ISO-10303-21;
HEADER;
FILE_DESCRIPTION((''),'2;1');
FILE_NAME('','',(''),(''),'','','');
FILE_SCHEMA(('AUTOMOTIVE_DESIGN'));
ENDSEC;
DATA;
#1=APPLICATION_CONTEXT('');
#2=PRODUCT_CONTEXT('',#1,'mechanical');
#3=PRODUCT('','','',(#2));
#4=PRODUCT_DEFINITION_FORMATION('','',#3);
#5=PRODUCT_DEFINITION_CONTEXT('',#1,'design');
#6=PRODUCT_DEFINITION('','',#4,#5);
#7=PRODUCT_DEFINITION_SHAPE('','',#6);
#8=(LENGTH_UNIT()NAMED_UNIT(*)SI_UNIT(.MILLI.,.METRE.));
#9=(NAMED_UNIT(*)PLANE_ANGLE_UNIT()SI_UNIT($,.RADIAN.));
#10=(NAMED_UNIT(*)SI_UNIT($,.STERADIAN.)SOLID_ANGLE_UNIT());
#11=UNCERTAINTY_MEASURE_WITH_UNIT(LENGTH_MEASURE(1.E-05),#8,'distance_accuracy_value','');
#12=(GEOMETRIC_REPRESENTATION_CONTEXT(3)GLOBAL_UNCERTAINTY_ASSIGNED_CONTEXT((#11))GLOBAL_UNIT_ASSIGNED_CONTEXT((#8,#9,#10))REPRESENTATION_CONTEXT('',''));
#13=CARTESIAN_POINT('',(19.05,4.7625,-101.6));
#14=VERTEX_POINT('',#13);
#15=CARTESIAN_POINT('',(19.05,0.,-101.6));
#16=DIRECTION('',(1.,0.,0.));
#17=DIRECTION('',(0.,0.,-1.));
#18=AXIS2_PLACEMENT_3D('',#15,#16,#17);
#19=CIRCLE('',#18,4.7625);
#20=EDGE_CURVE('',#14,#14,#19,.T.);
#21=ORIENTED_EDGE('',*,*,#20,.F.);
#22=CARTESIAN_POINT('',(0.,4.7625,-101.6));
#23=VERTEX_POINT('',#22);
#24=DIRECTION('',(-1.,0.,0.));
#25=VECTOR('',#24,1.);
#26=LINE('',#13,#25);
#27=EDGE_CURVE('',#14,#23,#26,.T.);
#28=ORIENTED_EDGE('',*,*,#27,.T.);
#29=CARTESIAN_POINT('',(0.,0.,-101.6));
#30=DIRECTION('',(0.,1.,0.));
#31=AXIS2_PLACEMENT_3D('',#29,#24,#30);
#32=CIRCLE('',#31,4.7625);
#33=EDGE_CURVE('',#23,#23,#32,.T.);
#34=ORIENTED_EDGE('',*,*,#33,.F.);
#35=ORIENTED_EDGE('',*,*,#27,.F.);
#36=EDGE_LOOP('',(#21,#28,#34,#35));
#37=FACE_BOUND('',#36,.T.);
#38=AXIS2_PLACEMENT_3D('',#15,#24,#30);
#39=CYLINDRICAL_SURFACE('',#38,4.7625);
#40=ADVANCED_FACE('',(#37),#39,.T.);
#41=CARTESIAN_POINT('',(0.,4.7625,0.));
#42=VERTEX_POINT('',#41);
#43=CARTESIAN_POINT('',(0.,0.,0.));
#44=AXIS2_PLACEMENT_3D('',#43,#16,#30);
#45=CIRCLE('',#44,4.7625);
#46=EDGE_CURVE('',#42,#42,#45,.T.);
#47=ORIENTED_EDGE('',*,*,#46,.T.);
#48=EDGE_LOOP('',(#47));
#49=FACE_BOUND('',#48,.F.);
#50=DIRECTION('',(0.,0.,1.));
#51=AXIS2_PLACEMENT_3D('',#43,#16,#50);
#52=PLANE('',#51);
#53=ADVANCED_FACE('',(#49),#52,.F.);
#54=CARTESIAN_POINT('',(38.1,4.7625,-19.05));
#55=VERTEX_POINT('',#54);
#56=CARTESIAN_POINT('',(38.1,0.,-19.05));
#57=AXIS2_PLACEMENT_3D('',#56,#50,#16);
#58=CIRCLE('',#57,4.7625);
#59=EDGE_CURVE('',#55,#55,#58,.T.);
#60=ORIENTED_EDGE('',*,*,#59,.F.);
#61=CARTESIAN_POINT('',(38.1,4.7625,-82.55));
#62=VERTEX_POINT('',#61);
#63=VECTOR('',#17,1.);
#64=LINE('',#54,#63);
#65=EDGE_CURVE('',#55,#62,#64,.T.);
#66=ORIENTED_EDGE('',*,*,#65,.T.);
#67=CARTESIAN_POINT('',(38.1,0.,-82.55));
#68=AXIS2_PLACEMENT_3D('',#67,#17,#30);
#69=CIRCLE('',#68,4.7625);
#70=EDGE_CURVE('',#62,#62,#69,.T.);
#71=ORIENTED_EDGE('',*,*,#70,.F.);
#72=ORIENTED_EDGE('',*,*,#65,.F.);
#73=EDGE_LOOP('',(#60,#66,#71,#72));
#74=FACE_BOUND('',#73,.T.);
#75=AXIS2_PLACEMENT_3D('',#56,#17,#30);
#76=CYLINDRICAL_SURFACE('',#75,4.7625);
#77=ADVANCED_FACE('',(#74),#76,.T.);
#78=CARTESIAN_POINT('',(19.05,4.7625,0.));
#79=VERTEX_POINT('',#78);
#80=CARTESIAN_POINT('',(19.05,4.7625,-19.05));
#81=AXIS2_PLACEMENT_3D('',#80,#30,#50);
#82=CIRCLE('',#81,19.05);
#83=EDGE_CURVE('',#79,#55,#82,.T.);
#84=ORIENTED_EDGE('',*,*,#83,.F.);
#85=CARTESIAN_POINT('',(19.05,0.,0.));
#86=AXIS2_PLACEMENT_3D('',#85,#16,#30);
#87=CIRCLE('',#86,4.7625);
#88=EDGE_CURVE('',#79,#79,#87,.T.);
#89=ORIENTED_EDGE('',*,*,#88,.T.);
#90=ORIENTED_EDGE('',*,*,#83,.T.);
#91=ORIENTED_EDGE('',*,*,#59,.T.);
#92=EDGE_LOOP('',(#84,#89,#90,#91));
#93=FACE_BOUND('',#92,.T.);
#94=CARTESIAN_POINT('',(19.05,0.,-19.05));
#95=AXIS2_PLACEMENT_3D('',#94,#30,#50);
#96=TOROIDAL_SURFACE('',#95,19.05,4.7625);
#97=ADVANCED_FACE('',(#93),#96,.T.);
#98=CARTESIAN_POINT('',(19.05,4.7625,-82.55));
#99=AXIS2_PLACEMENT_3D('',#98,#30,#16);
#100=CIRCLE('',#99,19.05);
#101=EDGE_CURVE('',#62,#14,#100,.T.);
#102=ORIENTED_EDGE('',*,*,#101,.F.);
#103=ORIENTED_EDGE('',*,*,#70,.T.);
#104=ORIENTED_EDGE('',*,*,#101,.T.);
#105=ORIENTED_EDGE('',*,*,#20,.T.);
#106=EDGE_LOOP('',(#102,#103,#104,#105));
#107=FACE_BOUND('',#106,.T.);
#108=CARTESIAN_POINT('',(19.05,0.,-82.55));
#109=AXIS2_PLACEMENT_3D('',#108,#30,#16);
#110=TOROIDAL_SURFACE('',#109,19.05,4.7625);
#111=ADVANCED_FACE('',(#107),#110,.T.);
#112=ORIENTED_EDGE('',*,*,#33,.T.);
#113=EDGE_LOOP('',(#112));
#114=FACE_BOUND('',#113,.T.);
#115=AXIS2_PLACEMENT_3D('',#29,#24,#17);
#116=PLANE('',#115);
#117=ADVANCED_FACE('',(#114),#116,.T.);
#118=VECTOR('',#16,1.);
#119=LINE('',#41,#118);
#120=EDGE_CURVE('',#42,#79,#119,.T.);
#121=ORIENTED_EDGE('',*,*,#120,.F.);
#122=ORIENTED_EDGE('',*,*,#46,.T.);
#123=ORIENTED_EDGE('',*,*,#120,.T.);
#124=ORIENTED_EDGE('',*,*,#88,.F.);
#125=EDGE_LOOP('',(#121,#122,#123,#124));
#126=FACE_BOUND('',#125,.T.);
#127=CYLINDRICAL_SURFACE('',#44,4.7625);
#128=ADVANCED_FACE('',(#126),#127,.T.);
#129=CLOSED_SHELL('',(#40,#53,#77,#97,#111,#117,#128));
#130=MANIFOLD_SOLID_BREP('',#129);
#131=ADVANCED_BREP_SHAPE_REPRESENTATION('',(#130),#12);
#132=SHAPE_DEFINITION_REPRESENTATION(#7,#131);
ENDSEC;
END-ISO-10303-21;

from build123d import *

# Parameters (mm, degrees)
F0_R = 4.7625


with BuildPart() as f2:
    # F2: sweep along a path in F1
    with BuildLine(Plane.XZ) as f2_path:
        Line((0, 0), (19.05, 0))
        ThreePointArc((19.05, 0), (32.5203841816, -5.5796158184), (38.1, -19.05))
        Line((38.1, -19.05), (38.1, -82.55))
        ThreePointArc((38.1, -82.55), (32.5203841816, -96.0203841816), (19.05, -101.6))
        Line((19.05, -101.6), (0, -101.6))
    # F0 (on Right) → F2 (sweep)
    with BuildSketch(Plane.YZ):
        Circle(F0_R)
    sweep(path=f2_path.line)


solid = f2.part
